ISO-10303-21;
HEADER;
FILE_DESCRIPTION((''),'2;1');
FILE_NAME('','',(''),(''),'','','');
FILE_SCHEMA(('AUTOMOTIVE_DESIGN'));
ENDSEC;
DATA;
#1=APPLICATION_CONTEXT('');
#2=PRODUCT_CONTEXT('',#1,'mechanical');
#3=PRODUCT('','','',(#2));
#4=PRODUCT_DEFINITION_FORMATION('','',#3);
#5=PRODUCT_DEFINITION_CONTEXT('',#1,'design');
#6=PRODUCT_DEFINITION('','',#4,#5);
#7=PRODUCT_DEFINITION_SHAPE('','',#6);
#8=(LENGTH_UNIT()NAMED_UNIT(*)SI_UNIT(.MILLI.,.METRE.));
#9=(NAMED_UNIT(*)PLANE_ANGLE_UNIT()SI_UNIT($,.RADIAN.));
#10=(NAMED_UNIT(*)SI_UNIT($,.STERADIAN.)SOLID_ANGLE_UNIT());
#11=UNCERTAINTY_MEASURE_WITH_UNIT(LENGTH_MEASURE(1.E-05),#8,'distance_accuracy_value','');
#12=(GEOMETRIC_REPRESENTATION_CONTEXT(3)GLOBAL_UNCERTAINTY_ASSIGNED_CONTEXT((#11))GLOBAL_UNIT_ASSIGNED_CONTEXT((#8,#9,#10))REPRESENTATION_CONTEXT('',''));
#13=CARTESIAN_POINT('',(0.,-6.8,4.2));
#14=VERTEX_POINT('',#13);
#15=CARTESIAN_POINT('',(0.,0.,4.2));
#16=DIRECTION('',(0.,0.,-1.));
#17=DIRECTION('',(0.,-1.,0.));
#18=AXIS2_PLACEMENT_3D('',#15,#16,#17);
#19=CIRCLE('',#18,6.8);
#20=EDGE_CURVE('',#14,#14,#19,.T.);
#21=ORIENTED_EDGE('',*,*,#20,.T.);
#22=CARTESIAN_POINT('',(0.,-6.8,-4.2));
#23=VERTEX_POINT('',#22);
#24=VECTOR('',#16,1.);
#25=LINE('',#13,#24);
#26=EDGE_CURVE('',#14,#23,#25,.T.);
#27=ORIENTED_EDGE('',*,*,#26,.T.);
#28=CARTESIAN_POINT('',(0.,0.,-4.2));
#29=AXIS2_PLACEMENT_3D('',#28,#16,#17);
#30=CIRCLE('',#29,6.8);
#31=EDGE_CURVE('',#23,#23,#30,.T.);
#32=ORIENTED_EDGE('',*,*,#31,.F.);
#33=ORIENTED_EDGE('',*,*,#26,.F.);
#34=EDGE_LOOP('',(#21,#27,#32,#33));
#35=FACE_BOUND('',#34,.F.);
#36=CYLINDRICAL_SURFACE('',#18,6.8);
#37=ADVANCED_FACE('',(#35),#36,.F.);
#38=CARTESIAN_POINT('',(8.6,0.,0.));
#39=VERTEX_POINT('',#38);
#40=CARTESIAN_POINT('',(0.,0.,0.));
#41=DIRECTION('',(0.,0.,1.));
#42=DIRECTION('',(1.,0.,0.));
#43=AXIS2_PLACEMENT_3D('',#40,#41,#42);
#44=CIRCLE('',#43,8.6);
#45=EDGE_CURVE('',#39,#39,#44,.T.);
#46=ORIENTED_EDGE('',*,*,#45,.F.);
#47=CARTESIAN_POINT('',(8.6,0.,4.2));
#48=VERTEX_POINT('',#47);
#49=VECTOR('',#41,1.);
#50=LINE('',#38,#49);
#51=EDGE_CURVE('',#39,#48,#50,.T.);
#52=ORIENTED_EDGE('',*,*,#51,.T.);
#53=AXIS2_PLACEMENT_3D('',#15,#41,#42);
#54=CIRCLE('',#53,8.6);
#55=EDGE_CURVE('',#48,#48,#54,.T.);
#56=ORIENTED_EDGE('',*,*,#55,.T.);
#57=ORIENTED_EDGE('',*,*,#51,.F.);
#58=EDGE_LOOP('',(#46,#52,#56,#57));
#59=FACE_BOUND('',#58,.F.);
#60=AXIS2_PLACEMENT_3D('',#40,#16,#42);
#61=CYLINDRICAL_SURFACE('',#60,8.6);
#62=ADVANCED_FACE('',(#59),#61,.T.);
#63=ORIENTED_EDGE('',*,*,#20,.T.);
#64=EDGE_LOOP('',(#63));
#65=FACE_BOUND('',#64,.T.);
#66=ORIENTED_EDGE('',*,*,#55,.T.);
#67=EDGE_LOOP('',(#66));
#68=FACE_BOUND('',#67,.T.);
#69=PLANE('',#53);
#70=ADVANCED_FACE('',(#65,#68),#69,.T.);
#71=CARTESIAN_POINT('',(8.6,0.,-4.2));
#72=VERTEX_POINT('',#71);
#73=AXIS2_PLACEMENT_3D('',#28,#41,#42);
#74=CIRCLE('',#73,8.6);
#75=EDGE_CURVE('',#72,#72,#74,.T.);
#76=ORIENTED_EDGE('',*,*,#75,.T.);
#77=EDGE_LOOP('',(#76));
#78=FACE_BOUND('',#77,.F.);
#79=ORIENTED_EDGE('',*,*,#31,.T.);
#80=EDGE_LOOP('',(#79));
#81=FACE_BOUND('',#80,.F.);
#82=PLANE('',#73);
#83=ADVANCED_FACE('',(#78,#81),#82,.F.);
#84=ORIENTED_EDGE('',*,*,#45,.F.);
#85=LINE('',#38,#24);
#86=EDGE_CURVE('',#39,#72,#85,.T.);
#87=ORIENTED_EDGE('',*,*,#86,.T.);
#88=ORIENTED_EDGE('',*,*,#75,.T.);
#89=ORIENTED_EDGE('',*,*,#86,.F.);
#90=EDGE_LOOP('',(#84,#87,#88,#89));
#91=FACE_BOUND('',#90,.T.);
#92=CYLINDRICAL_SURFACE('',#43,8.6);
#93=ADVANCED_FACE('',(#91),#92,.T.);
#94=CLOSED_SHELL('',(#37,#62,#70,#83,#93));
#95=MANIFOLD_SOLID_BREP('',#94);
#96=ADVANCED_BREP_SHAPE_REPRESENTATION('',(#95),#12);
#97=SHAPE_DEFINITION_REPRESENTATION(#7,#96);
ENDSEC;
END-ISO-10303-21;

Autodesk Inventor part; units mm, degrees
ref_plane "YZ Plane" through (0, 0, 0) normal (1, 0, 0) x (0, 1, 0)
ref_plane "XZ Plane" through (0, 0, 0) normal (0, 1, 0) x (-1, 0, 0)
ref_plane "XY Plane" through (0, 0, 0) normal (0, 0, 1) x (1, 0, 0)
sketch "Szkic1" plane through (0, 0, 0) normal (0, 0, 1) x (1, 0, 0)
  circle A0 centre (0, 0) radius 8.6
  dimension "d0" = 17.2
extrude "Wyciągnięcie proste1" add sketch "Szkic1" along normal mid plane 8.4
sketch "Szkic2" plane through (0, 0, 4.2) normal (0, 0, 1) x (1, 0, 0)
  circle A0 centre (0, 0) radius 8.6 projected
hole "Otwór1" at (0, 0, 4.2) direction (0, 0, -1) diameter 13.6 end through all
properties part number "Separator_do_widelca" material "Stal, węglowa"
